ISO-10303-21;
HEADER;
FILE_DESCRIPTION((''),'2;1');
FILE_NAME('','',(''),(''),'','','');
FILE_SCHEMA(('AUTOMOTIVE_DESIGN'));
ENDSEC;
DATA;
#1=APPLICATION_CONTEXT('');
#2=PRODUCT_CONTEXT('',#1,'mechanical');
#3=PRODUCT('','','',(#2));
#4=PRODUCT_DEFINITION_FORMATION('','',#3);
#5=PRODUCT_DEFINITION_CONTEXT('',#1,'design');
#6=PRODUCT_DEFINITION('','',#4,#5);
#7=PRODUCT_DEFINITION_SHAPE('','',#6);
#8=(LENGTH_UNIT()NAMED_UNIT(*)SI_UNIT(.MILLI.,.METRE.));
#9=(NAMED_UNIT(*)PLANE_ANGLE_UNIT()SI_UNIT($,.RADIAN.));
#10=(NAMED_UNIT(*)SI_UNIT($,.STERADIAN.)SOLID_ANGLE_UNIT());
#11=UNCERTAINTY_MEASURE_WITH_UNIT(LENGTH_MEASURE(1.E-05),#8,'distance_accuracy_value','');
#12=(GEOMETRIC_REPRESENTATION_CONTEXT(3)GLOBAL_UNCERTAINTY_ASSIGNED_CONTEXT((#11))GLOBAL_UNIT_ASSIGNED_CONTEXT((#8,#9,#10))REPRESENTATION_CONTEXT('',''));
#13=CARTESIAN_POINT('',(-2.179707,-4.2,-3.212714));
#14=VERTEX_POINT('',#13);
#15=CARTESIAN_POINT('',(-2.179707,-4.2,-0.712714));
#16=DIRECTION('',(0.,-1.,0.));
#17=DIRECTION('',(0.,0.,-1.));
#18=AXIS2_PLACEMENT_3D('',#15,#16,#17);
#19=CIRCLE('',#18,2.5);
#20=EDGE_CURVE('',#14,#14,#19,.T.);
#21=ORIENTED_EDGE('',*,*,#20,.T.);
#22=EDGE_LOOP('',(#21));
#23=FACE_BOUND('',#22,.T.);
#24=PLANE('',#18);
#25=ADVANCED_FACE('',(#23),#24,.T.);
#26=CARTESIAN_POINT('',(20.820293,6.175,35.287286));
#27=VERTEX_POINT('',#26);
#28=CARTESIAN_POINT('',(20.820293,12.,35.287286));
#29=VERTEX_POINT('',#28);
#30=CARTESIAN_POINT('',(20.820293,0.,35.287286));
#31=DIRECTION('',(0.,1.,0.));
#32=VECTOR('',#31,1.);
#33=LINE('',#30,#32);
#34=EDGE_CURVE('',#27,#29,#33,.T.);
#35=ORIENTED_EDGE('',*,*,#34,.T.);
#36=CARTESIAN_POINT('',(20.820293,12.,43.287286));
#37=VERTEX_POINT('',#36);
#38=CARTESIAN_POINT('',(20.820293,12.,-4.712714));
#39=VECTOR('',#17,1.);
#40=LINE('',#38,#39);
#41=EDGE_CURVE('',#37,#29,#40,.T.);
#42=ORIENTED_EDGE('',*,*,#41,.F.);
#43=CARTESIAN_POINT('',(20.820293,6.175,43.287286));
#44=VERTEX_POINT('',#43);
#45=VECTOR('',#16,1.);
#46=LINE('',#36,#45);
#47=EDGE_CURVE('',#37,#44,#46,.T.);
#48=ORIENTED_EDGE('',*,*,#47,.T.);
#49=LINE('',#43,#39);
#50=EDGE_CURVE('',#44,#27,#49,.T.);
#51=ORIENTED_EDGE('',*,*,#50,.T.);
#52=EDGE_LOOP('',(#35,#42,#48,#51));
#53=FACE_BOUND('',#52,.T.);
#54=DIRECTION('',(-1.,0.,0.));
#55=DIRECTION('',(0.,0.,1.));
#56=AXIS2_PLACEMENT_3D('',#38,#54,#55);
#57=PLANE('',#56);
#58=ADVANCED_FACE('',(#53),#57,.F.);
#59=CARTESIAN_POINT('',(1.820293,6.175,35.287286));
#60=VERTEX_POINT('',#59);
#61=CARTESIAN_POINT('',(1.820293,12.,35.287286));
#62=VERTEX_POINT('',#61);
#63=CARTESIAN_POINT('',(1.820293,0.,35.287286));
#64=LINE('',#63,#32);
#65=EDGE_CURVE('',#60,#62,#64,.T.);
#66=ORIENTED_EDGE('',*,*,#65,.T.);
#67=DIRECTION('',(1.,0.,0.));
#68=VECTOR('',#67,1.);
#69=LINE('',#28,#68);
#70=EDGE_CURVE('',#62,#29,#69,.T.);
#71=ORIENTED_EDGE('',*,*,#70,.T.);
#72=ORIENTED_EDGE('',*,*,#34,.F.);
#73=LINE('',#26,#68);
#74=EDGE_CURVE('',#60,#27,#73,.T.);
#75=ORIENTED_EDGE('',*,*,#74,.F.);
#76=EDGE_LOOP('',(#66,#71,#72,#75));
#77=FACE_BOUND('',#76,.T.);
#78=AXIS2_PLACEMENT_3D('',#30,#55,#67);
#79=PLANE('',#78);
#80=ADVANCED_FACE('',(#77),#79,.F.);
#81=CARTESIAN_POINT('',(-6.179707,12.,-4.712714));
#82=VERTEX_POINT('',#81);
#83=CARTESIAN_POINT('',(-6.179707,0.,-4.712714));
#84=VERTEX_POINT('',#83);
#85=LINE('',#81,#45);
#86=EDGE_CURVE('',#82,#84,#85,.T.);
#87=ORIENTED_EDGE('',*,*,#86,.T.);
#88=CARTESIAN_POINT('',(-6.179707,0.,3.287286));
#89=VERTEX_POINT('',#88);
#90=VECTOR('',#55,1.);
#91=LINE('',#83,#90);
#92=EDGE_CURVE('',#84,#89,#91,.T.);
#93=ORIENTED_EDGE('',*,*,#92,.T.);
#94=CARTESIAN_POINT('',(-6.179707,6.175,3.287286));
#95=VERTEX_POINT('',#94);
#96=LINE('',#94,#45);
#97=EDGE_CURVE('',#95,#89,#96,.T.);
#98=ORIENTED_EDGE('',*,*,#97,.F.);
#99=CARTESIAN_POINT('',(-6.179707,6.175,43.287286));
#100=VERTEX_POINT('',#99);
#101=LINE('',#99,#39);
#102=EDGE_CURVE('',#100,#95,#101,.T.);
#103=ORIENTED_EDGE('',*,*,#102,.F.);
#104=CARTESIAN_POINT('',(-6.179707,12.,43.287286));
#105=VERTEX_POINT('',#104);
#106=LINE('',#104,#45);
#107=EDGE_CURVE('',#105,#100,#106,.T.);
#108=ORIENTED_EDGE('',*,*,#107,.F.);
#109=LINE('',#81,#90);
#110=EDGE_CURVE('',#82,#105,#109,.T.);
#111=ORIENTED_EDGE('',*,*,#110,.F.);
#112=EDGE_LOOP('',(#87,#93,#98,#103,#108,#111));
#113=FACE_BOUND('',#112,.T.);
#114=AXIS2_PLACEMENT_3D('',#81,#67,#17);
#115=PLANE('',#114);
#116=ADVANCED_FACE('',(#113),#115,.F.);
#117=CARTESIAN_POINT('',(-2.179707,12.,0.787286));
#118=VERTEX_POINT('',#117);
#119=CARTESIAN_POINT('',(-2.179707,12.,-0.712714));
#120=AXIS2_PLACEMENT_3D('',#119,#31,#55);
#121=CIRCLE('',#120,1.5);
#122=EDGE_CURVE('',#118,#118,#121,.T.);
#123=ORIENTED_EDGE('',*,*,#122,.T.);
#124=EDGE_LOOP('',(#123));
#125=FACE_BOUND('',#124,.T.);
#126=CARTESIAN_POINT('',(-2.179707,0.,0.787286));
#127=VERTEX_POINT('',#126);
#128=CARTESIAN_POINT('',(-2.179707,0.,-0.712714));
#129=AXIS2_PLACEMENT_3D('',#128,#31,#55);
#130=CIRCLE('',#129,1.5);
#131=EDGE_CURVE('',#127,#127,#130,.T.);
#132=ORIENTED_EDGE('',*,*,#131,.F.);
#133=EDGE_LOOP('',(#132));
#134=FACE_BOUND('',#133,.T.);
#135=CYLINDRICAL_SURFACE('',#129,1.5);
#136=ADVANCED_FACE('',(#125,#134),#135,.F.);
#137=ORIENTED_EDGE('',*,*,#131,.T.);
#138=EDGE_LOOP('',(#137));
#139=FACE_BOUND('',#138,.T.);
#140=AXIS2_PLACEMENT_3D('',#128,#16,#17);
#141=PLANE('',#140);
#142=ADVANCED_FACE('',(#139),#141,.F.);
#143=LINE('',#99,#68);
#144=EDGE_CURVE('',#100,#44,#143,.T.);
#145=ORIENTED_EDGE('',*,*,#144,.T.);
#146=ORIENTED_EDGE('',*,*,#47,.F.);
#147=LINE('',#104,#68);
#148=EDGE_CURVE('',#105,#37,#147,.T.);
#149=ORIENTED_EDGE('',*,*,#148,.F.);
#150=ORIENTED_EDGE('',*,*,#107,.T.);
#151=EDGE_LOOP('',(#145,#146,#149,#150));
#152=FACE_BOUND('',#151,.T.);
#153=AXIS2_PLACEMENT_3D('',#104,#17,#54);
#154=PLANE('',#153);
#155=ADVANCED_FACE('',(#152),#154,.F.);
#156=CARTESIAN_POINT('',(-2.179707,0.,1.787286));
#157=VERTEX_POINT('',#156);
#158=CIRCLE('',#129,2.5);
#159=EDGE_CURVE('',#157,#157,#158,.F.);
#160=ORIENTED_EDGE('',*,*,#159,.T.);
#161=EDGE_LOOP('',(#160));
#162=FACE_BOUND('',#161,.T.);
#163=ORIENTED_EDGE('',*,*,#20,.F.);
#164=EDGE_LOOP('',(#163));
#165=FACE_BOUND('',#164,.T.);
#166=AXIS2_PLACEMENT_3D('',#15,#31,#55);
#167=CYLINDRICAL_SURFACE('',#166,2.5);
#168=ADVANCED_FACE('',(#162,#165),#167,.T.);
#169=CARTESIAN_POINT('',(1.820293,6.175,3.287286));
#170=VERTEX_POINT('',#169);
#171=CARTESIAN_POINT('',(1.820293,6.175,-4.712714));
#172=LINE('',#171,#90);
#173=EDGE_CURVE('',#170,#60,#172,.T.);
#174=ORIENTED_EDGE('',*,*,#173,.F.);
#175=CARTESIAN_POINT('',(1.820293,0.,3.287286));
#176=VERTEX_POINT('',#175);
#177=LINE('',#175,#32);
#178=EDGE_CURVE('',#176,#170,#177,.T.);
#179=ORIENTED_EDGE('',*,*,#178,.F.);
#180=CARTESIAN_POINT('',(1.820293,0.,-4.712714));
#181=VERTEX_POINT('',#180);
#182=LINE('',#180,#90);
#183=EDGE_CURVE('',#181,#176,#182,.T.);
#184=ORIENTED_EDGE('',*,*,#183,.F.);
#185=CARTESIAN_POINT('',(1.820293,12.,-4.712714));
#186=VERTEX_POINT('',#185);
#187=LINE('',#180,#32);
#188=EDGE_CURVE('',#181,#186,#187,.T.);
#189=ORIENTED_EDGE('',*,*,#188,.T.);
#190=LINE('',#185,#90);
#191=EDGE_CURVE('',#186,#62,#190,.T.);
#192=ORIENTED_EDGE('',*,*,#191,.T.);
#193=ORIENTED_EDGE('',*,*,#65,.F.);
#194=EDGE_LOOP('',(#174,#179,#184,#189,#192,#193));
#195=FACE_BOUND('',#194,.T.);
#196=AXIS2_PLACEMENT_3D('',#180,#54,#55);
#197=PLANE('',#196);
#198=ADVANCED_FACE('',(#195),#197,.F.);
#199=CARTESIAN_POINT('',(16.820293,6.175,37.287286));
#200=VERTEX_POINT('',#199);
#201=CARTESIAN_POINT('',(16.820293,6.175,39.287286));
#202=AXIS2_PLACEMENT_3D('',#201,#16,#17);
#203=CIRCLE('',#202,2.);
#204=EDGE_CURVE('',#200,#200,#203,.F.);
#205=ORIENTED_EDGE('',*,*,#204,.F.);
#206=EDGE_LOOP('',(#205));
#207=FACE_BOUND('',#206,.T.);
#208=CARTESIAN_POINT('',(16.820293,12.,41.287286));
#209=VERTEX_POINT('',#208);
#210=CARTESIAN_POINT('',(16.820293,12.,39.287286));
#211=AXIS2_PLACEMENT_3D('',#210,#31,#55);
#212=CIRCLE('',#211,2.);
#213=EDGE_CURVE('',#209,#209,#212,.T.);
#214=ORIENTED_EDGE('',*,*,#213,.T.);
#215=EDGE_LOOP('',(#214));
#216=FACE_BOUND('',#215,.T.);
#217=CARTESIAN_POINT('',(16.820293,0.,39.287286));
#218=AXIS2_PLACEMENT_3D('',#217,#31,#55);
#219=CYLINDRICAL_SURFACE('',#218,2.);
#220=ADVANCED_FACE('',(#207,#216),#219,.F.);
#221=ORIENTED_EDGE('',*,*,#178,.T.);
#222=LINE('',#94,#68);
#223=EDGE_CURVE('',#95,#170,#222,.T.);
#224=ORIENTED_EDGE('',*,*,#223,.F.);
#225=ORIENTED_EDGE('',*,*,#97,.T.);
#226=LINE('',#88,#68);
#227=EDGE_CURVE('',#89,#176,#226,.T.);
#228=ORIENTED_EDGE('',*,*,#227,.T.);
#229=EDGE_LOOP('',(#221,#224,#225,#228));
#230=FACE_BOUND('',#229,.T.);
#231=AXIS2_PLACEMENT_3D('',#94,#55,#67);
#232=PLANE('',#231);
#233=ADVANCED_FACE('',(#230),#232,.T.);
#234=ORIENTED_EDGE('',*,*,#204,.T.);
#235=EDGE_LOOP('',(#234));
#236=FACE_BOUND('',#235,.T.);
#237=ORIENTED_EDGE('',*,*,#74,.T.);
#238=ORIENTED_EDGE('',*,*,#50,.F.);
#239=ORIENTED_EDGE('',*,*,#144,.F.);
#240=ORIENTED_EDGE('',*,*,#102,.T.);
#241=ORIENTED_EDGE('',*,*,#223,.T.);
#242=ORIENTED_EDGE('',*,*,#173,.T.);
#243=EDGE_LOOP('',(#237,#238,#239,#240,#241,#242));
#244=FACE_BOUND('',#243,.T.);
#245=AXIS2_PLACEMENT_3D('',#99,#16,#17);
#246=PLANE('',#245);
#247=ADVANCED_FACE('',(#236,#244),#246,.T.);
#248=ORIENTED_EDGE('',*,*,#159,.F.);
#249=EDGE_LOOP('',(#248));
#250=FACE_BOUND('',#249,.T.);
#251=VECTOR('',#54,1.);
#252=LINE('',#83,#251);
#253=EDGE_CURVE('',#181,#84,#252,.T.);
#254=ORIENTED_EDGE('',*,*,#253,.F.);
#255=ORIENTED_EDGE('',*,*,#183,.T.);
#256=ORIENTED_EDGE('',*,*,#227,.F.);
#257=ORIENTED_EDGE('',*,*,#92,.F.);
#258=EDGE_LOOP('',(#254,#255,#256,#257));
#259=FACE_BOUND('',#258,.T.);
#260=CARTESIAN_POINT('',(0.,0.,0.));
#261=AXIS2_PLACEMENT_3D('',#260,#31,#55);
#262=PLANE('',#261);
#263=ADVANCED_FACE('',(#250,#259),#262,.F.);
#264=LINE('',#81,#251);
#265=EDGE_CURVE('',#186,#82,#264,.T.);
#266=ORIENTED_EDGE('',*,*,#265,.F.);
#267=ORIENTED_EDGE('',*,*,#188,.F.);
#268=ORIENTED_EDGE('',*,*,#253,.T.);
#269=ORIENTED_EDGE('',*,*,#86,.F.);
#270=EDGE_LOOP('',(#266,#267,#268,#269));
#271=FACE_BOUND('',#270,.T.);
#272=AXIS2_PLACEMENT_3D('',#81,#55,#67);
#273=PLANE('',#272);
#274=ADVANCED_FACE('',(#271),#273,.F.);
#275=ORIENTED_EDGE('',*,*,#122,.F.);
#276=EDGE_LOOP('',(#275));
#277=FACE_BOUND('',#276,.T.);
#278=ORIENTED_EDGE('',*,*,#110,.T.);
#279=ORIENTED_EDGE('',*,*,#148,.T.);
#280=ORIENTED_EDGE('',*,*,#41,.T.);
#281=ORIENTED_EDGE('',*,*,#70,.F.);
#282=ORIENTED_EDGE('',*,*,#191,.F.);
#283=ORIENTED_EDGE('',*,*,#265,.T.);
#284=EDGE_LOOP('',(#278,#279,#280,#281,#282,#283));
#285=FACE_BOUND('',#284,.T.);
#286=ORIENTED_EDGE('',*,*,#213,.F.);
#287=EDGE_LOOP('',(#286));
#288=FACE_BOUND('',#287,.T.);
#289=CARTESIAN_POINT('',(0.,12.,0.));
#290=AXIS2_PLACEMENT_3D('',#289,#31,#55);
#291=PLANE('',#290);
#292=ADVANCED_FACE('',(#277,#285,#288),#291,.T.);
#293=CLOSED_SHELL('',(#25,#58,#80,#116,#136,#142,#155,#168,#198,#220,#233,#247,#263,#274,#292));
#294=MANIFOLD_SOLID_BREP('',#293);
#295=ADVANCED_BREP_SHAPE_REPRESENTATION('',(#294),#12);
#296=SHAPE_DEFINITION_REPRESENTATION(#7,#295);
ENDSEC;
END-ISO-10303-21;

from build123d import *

# Parameters (mm, degrees)
SKETCH1_W      = 27
SKETCH1_H      = 48
EXTRUDE1_DEPTH = 12
SKETCH2_R      = 1.5
SKETCH2_R_2    = 2
SKETCH2_W      = 19
SKETCH2_H      = 40
EXTRUDE2_DEPTH = 50.510339849
SKETCH3_W      = 40
SKETCH3_H      = 6.175
EXTRUDE3_DEPTH = 53.409819068
SKETCH7_R      = 2.5
EXTRUDE7_DEPTH = 4.2


with BuildPart() as part:
    # Sketch1 → Extrude1 (new body)
    with BuildSketch(Plane(origin=(0, 0, 0), x_dir=(1, 0, 0), z_dir=(0, 1, 0))):
        with Locations((7.320293399, -19.287286064)):
            Rectangle(SKETCH1_W, SKETCH1_H)
    extrude(amount=EXTRUDE1_DEPTH)

    # Sketch2 → Extrude2 (cut, through all)
    with BuildSketch(Plane(origin=(0, 12, 0), x_dir=(1, 0, 0), z_dir=(0, 1, 0))):
        with Locations(Location((-2.179706601, 0.712713936, 0), (0, 0, 270))):
            Circle(SKETCH2_R)
        with Locations(Location((16.820293399, -39.287286064, 0), (0, 0, 270))):
            Circle(SKETCH2_R_2)
        with Locations((11.320293399, -15.287286064)):
            Rectangle(SKETCH2_W, SKETCH2_H)
    extrude(amount=-EXTRUDE2_DEPTH, mode=Mode.SUBTRACT)

    # Sketch3 → Extrude3 (cut, through all)
    with BuildSketch(Plane(origin=(20.820293399, 0, 0), x_dir=(0, 0, -1), z_dir=(1, 0, 0))):
        with Locations((-23.287286064, 3.0875)):
            Rectangle(SKETCH3_W, SKETCH3_H)
    extrude(amount=-EXTRUDE3_DEPTH, mode=Mode.SUBTRACT)

    # Sketch7 → Extrude7 (add)
    with BuildSketch(Plane.XZ):
        with Locations(Location((-2.179706601, -0.712713936, 0), (0, 0, 90))):
            Circle(SKETCH7_R)
    extrude(amount=EXTRUDE7_DEPTH)


solid = part.part
